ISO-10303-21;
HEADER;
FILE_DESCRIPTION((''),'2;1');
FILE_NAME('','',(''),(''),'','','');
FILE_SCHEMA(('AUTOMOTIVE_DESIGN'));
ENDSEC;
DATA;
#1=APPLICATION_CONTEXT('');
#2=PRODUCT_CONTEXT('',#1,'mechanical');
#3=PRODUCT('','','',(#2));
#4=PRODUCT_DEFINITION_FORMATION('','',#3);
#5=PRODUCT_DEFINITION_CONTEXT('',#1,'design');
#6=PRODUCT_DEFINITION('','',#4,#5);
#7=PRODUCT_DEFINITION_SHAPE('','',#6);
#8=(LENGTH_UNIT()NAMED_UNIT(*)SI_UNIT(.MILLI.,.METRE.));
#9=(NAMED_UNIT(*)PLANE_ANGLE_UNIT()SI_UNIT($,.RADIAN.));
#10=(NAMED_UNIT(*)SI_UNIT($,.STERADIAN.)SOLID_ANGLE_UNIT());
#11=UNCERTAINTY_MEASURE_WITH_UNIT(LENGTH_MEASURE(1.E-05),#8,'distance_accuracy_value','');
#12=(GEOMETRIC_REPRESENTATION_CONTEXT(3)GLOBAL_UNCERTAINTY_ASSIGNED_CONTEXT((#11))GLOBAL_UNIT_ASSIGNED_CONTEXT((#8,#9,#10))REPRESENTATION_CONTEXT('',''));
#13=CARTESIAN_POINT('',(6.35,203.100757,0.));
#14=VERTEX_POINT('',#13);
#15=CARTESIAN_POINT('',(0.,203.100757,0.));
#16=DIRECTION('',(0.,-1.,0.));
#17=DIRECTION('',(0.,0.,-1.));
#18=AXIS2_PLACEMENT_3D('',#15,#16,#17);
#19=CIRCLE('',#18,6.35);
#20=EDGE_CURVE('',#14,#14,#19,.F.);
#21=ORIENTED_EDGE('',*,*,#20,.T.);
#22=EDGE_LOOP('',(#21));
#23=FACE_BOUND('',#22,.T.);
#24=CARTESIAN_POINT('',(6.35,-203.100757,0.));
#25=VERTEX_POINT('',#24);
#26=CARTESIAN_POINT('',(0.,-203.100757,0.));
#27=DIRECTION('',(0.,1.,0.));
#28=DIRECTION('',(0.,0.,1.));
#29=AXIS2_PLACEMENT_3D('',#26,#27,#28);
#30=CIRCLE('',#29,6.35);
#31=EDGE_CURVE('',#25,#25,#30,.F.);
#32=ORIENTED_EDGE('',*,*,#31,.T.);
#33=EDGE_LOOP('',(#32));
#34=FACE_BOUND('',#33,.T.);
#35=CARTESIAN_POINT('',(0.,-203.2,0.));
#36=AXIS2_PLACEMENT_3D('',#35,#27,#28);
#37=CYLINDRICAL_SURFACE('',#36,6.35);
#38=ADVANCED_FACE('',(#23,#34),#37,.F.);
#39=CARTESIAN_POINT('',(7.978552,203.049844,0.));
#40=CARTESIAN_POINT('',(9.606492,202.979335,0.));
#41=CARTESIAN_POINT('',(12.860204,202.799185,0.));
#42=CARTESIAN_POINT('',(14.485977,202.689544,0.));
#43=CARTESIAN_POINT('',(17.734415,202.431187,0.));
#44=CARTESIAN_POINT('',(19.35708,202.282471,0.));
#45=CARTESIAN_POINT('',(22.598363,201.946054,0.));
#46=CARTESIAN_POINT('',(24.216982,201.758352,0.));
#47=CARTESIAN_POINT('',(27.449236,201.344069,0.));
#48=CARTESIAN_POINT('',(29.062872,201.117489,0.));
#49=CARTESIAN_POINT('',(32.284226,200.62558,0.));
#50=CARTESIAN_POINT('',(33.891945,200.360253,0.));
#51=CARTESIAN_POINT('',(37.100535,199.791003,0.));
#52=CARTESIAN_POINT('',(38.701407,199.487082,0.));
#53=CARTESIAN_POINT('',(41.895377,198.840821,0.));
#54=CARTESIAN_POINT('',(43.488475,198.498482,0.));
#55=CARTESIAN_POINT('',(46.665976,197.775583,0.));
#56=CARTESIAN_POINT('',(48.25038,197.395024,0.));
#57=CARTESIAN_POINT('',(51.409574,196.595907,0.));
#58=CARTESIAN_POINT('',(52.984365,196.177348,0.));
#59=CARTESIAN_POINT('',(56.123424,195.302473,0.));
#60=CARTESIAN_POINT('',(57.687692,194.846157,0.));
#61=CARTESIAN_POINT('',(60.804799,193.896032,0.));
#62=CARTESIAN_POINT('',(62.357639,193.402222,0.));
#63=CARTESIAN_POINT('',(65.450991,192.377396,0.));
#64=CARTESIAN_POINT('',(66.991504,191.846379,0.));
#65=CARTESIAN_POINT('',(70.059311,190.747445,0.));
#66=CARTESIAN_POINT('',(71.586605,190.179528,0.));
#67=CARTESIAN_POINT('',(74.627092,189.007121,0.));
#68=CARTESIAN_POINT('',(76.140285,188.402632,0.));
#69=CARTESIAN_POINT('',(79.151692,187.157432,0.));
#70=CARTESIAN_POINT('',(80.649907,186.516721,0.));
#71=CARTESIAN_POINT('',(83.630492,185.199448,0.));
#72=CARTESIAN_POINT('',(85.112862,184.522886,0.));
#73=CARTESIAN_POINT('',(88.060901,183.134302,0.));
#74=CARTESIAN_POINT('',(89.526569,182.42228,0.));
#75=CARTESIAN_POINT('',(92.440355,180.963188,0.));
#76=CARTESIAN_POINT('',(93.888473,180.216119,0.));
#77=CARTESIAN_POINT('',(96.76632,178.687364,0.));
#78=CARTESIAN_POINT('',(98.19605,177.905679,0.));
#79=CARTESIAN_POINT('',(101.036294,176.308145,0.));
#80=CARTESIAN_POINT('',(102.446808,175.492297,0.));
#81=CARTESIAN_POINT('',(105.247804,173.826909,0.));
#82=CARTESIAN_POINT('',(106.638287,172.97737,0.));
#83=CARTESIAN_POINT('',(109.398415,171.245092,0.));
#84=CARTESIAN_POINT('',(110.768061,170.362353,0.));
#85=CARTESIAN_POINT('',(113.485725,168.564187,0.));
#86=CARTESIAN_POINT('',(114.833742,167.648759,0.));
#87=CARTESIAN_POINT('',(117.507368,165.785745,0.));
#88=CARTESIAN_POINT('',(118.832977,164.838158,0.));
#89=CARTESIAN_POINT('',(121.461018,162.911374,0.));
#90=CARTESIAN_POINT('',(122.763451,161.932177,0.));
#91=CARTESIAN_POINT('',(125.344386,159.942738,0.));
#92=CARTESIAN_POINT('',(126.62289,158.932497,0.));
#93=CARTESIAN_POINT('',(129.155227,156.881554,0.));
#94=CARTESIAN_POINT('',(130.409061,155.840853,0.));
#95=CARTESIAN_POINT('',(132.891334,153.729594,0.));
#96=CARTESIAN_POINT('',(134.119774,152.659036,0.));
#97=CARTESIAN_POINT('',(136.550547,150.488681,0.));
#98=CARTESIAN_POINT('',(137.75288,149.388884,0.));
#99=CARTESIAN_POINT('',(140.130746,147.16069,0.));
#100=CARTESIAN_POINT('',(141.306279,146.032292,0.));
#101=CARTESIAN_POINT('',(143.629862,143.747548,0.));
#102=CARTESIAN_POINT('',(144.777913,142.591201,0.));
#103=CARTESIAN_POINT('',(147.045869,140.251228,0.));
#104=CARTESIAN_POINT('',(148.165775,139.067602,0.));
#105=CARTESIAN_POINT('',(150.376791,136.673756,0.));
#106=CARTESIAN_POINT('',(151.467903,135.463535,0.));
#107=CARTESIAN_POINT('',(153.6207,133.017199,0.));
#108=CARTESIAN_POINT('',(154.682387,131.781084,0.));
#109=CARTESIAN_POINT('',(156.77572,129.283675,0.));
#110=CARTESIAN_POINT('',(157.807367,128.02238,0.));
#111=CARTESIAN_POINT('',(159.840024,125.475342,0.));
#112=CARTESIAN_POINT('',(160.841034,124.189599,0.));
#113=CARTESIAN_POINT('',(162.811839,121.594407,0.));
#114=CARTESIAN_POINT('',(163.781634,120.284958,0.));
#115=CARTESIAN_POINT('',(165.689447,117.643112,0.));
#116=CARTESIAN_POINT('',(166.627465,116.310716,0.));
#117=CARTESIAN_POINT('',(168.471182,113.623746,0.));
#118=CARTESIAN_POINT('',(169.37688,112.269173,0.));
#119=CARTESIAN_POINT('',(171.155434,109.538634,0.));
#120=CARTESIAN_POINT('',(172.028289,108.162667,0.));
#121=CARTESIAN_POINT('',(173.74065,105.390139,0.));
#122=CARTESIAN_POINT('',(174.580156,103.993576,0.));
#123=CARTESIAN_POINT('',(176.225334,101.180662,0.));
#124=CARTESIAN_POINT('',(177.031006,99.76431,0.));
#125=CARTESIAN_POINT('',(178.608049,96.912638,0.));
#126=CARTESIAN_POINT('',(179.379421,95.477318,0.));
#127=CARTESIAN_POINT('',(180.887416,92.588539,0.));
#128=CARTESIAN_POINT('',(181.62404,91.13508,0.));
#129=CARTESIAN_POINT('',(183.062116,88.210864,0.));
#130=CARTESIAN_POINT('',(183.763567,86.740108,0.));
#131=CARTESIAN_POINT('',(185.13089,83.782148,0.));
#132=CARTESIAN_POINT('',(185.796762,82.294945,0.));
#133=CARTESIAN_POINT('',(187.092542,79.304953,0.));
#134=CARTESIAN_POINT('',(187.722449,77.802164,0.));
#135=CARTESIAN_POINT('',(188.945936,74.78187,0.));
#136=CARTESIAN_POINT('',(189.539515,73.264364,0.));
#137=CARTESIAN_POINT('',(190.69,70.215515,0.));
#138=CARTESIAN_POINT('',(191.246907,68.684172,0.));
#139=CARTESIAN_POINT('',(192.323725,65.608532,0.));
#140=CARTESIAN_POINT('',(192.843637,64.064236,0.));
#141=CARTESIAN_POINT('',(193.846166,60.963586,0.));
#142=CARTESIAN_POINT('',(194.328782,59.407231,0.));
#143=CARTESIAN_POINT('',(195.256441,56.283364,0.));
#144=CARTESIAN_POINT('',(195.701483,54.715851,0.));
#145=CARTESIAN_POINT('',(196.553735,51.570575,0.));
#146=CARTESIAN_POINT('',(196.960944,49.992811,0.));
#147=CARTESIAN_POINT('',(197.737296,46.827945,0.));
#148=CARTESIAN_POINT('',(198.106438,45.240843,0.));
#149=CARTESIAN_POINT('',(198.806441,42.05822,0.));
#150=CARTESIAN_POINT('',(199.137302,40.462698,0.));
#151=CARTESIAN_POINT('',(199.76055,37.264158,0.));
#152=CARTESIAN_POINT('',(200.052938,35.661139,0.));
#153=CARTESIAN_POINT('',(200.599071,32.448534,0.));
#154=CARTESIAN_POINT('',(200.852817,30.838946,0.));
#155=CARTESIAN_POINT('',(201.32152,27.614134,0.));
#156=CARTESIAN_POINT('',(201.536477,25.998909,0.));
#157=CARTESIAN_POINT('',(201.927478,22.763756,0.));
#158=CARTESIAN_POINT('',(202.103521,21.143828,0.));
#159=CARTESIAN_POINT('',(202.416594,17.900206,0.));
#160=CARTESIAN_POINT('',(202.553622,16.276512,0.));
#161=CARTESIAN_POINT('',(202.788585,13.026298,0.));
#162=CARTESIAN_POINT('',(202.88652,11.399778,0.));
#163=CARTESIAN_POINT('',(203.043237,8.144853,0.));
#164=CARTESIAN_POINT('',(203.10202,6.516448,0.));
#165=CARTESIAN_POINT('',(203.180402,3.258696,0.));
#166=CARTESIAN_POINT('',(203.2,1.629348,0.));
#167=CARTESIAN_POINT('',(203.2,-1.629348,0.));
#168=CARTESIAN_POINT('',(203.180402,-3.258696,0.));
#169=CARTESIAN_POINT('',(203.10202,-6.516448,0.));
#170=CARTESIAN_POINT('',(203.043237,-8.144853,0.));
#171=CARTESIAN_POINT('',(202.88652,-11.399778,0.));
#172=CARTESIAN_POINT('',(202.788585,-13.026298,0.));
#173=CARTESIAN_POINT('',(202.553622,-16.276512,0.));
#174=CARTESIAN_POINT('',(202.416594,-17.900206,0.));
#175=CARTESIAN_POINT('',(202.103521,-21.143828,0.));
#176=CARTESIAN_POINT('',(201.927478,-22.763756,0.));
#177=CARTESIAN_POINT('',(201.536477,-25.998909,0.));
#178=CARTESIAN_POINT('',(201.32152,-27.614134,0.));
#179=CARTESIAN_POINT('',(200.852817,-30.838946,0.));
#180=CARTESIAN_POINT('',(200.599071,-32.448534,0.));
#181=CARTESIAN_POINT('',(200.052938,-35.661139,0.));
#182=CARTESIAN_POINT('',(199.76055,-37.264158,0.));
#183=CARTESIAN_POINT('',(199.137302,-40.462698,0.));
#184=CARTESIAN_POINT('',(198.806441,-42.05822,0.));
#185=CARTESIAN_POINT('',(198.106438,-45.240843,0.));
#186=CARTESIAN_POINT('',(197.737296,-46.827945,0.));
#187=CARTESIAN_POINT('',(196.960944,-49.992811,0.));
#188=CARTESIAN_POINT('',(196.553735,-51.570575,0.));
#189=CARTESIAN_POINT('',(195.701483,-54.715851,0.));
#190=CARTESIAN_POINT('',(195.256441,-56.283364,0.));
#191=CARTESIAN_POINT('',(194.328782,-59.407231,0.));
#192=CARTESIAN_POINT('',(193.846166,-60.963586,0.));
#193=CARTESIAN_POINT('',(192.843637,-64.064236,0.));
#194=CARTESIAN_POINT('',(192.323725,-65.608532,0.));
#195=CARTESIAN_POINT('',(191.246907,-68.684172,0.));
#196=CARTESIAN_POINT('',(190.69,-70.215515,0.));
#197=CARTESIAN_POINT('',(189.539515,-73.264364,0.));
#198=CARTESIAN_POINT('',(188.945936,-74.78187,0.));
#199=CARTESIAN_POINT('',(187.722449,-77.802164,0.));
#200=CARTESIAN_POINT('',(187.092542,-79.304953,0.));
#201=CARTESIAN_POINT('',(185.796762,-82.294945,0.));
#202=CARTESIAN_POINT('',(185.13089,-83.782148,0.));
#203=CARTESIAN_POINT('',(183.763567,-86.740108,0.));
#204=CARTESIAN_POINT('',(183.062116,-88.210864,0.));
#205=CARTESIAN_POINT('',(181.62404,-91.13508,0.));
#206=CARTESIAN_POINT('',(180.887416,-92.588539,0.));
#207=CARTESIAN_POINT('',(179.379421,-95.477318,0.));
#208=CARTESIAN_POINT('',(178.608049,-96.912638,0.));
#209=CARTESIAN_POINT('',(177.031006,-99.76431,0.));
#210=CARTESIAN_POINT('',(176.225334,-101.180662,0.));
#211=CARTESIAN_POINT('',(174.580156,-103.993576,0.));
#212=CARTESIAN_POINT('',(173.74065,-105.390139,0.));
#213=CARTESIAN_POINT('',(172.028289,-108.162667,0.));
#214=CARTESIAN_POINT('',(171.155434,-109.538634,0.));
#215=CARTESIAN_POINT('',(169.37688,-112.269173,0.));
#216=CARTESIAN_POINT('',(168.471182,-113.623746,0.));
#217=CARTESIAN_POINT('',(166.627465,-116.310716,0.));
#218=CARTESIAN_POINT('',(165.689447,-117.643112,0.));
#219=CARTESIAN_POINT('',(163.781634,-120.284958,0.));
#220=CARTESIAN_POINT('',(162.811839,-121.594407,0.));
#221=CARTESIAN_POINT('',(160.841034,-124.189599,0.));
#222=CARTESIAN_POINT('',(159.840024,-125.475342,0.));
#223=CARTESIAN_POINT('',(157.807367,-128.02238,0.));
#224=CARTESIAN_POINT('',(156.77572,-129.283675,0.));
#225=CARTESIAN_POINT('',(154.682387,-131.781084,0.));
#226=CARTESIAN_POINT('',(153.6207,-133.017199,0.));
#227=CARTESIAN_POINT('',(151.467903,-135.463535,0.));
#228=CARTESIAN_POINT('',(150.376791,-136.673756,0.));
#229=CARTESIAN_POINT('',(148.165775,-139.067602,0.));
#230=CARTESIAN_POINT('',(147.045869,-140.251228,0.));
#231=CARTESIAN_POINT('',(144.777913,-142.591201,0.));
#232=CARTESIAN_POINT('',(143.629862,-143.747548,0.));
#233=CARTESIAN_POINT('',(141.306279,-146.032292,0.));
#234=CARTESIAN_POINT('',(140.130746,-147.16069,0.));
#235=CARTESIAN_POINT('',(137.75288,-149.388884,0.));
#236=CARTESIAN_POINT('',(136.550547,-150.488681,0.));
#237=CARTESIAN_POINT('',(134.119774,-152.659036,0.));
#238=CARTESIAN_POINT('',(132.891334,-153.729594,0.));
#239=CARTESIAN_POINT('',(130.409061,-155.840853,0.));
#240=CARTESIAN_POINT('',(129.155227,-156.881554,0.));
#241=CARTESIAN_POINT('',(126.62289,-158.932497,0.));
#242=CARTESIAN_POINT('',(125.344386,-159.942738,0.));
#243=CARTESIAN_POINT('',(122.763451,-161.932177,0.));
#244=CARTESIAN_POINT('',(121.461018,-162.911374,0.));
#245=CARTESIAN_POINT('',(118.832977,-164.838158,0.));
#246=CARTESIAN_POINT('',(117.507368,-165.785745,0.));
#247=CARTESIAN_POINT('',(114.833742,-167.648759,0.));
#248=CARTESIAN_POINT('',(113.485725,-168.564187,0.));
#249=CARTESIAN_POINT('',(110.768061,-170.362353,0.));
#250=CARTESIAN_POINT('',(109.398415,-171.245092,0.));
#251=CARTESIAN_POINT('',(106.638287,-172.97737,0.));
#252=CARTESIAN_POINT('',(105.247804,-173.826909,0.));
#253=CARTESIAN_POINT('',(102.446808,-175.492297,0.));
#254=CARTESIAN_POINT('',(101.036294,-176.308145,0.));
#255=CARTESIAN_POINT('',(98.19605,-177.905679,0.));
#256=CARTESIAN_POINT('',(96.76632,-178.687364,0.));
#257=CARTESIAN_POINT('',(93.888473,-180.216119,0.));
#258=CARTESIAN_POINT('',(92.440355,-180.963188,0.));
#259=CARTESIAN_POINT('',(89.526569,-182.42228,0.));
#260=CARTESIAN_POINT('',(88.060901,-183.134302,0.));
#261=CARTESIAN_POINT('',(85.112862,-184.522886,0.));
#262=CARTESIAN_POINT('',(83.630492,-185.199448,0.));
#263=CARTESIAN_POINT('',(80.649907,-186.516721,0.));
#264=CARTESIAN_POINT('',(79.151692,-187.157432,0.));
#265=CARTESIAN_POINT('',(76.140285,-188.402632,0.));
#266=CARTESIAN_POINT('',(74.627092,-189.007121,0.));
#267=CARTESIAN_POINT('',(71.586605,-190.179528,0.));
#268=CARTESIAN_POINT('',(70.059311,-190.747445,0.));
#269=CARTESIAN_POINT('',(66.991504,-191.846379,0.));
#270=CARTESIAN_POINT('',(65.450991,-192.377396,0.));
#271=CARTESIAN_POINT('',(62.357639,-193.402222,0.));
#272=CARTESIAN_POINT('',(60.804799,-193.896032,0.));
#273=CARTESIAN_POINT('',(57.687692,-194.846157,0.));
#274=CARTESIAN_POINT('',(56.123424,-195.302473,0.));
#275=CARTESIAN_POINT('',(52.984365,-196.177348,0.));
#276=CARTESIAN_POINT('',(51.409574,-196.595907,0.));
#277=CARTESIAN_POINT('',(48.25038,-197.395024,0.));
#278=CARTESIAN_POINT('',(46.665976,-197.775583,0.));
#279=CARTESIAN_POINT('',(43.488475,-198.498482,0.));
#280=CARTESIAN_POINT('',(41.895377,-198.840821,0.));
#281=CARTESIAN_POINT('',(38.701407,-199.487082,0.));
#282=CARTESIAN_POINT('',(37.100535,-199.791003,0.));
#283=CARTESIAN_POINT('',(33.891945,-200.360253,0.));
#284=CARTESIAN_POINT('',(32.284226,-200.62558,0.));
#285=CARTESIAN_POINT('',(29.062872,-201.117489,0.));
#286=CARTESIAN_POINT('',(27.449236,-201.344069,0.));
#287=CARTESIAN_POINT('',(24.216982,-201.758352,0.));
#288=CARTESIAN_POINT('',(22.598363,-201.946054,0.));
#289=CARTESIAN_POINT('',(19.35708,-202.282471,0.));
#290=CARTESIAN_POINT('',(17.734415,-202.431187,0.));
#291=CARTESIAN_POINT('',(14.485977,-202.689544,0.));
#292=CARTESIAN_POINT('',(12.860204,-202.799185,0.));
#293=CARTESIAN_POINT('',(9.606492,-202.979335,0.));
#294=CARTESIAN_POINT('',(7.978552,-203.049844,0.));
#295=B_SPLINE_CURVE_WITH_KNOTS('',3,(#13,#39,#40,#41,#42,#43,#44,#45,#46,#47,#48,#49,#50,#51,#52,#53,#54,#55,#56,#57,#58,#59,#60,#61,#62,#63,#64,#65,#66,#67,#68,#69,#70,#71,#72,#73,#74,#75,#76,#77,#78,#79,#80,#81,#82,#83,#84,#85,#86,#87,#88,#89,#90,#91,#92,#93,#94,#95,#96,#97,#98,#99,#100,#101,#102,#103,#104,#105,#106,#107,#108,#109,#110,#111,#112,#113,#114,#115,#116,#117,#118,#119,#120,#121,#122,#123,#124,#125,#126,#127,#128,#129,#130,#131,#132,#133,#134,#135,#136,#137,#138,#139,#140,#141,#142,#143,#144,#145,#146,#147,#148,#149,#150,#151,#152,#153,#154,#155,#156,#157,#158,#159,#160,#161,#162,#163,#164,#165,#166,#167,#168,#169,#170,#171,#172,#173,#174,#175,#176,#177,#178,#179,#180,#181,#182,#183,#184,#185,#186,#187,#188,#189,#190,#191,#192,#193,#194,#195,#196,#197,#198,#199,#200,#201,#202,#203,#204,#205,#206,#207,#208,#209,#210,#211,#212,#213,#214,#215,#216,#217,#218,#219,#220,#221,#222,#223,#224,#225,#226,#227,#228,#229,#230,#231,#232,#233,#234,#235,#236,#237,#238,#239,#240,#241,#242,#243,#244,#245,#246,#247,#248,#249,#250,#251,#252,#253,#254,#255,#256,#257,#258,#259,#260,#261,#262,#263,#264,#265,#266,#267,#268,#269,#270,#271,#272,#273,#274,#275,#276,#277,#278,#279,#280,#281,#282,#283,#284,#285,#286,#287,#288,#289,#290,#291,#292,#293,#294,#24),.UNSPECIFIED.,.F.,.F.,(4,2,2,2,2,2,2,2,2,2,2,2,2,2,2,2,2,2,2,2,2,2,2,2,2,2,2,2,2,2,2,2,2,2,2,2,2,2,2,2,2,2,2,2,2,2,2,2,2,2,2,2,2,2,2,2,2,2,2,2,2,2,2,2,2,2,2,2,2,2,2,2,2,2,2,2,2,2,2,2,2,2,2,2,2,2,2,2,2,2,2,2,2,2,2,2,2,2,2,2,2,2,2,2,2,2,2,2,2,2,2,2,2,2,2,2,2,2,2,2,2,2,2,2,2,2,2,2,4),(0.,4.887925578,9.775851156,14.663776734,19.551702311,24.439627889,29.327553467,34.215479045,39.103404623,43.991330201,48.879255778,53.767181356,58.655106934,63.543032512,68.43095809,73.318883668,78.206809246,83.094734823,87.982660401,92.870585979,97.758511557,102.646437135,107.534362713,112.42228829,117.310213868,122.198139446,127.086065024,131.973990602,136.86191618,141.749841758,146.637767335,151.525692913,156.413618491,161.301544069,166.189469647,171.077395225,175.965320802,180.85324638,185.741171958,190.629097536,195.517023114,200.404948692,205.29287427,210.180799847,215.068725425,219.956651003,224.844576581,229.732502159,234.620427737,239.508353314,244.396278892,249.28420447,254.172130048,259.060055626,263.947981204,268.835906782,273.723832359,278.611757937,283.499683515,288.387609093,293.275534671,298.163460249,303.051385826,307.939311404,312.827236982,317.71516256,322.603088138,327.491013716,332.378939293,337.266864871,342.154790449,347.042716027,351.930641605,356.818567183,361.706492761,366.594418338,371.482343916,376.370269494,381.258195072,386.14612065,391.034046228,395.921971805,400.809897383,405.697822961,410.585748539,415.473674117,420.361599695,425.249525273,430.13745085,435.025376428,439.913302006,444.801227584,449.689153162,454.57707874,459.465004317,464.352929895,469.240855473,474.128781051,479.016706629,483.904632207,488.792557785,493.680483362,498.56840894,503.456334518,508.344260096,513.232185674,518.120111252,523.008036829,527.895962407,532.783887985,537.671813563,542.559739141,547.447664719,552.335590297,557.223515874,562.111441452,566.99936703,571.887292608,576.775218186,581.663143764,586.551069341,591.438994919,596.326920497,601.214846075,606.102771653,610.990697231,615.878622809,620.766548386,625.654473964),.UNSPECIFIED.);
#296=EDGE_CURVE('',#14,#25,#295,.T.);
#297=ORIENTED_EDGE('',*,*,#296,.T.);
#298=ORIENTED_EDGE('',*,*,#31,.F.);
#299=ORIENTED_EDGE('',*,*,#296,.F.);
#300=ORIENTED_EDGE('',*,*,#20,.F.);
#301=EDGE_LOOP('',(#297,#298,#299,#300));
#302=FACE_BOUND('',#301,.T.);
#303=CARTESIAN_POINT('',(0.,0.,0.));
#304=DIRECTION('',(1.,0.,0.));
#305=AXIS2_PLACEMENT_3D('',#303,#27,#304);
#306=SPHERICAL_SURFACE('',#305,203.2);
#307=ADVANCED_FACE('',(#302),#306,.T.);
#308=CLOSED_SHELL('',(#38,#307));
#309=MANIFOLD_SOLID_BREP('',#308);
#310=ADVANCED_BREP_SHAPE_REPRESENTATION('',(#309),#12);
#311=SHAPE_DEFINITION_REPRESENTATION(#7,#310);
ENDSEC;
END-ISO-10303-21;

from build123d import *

# Parameters (mm, degrees)
CUT_EXTRUDE1_DEPTH      = 352.952724098
CUT_EXTRUDE1_DEPTH_BACK = 352.952724098
SKETCH2_R               = 6.35


with BuildPart() as part:
    # Sketch1 → Revolve2 (revolve)
    with BuildSketch(Plane.XY):
        with BuildLine():
            Line((0, 203.2), (0, -203.2))
            ThreePointArc((0, -203.2), (-203.2, 0), (0, 203.2))
        make_face()
    revolve(axis=Axis((0, 203.2, 0), (0, -1, 0)))

    # Sketch2 → Cut-Extrude1 (cut, two sides: drawn at the far end of the back side and taken through both)
    with BuildSketch(Plane(origin=(0, 0, 0), x_dir=(1, 0, 0), z_dir=(0, 1, 0)).offset(-CUT_EXTRUDE1_DEPTH_BACK)):
        Circle(SKETCH2_R)
    extrude(amount=CUT_EXTRUDE1_DEPTH + CUT_EXTRUDE1_DEPTH_BACK, mode=Mode.SUBTRACT)


solid = part.part
